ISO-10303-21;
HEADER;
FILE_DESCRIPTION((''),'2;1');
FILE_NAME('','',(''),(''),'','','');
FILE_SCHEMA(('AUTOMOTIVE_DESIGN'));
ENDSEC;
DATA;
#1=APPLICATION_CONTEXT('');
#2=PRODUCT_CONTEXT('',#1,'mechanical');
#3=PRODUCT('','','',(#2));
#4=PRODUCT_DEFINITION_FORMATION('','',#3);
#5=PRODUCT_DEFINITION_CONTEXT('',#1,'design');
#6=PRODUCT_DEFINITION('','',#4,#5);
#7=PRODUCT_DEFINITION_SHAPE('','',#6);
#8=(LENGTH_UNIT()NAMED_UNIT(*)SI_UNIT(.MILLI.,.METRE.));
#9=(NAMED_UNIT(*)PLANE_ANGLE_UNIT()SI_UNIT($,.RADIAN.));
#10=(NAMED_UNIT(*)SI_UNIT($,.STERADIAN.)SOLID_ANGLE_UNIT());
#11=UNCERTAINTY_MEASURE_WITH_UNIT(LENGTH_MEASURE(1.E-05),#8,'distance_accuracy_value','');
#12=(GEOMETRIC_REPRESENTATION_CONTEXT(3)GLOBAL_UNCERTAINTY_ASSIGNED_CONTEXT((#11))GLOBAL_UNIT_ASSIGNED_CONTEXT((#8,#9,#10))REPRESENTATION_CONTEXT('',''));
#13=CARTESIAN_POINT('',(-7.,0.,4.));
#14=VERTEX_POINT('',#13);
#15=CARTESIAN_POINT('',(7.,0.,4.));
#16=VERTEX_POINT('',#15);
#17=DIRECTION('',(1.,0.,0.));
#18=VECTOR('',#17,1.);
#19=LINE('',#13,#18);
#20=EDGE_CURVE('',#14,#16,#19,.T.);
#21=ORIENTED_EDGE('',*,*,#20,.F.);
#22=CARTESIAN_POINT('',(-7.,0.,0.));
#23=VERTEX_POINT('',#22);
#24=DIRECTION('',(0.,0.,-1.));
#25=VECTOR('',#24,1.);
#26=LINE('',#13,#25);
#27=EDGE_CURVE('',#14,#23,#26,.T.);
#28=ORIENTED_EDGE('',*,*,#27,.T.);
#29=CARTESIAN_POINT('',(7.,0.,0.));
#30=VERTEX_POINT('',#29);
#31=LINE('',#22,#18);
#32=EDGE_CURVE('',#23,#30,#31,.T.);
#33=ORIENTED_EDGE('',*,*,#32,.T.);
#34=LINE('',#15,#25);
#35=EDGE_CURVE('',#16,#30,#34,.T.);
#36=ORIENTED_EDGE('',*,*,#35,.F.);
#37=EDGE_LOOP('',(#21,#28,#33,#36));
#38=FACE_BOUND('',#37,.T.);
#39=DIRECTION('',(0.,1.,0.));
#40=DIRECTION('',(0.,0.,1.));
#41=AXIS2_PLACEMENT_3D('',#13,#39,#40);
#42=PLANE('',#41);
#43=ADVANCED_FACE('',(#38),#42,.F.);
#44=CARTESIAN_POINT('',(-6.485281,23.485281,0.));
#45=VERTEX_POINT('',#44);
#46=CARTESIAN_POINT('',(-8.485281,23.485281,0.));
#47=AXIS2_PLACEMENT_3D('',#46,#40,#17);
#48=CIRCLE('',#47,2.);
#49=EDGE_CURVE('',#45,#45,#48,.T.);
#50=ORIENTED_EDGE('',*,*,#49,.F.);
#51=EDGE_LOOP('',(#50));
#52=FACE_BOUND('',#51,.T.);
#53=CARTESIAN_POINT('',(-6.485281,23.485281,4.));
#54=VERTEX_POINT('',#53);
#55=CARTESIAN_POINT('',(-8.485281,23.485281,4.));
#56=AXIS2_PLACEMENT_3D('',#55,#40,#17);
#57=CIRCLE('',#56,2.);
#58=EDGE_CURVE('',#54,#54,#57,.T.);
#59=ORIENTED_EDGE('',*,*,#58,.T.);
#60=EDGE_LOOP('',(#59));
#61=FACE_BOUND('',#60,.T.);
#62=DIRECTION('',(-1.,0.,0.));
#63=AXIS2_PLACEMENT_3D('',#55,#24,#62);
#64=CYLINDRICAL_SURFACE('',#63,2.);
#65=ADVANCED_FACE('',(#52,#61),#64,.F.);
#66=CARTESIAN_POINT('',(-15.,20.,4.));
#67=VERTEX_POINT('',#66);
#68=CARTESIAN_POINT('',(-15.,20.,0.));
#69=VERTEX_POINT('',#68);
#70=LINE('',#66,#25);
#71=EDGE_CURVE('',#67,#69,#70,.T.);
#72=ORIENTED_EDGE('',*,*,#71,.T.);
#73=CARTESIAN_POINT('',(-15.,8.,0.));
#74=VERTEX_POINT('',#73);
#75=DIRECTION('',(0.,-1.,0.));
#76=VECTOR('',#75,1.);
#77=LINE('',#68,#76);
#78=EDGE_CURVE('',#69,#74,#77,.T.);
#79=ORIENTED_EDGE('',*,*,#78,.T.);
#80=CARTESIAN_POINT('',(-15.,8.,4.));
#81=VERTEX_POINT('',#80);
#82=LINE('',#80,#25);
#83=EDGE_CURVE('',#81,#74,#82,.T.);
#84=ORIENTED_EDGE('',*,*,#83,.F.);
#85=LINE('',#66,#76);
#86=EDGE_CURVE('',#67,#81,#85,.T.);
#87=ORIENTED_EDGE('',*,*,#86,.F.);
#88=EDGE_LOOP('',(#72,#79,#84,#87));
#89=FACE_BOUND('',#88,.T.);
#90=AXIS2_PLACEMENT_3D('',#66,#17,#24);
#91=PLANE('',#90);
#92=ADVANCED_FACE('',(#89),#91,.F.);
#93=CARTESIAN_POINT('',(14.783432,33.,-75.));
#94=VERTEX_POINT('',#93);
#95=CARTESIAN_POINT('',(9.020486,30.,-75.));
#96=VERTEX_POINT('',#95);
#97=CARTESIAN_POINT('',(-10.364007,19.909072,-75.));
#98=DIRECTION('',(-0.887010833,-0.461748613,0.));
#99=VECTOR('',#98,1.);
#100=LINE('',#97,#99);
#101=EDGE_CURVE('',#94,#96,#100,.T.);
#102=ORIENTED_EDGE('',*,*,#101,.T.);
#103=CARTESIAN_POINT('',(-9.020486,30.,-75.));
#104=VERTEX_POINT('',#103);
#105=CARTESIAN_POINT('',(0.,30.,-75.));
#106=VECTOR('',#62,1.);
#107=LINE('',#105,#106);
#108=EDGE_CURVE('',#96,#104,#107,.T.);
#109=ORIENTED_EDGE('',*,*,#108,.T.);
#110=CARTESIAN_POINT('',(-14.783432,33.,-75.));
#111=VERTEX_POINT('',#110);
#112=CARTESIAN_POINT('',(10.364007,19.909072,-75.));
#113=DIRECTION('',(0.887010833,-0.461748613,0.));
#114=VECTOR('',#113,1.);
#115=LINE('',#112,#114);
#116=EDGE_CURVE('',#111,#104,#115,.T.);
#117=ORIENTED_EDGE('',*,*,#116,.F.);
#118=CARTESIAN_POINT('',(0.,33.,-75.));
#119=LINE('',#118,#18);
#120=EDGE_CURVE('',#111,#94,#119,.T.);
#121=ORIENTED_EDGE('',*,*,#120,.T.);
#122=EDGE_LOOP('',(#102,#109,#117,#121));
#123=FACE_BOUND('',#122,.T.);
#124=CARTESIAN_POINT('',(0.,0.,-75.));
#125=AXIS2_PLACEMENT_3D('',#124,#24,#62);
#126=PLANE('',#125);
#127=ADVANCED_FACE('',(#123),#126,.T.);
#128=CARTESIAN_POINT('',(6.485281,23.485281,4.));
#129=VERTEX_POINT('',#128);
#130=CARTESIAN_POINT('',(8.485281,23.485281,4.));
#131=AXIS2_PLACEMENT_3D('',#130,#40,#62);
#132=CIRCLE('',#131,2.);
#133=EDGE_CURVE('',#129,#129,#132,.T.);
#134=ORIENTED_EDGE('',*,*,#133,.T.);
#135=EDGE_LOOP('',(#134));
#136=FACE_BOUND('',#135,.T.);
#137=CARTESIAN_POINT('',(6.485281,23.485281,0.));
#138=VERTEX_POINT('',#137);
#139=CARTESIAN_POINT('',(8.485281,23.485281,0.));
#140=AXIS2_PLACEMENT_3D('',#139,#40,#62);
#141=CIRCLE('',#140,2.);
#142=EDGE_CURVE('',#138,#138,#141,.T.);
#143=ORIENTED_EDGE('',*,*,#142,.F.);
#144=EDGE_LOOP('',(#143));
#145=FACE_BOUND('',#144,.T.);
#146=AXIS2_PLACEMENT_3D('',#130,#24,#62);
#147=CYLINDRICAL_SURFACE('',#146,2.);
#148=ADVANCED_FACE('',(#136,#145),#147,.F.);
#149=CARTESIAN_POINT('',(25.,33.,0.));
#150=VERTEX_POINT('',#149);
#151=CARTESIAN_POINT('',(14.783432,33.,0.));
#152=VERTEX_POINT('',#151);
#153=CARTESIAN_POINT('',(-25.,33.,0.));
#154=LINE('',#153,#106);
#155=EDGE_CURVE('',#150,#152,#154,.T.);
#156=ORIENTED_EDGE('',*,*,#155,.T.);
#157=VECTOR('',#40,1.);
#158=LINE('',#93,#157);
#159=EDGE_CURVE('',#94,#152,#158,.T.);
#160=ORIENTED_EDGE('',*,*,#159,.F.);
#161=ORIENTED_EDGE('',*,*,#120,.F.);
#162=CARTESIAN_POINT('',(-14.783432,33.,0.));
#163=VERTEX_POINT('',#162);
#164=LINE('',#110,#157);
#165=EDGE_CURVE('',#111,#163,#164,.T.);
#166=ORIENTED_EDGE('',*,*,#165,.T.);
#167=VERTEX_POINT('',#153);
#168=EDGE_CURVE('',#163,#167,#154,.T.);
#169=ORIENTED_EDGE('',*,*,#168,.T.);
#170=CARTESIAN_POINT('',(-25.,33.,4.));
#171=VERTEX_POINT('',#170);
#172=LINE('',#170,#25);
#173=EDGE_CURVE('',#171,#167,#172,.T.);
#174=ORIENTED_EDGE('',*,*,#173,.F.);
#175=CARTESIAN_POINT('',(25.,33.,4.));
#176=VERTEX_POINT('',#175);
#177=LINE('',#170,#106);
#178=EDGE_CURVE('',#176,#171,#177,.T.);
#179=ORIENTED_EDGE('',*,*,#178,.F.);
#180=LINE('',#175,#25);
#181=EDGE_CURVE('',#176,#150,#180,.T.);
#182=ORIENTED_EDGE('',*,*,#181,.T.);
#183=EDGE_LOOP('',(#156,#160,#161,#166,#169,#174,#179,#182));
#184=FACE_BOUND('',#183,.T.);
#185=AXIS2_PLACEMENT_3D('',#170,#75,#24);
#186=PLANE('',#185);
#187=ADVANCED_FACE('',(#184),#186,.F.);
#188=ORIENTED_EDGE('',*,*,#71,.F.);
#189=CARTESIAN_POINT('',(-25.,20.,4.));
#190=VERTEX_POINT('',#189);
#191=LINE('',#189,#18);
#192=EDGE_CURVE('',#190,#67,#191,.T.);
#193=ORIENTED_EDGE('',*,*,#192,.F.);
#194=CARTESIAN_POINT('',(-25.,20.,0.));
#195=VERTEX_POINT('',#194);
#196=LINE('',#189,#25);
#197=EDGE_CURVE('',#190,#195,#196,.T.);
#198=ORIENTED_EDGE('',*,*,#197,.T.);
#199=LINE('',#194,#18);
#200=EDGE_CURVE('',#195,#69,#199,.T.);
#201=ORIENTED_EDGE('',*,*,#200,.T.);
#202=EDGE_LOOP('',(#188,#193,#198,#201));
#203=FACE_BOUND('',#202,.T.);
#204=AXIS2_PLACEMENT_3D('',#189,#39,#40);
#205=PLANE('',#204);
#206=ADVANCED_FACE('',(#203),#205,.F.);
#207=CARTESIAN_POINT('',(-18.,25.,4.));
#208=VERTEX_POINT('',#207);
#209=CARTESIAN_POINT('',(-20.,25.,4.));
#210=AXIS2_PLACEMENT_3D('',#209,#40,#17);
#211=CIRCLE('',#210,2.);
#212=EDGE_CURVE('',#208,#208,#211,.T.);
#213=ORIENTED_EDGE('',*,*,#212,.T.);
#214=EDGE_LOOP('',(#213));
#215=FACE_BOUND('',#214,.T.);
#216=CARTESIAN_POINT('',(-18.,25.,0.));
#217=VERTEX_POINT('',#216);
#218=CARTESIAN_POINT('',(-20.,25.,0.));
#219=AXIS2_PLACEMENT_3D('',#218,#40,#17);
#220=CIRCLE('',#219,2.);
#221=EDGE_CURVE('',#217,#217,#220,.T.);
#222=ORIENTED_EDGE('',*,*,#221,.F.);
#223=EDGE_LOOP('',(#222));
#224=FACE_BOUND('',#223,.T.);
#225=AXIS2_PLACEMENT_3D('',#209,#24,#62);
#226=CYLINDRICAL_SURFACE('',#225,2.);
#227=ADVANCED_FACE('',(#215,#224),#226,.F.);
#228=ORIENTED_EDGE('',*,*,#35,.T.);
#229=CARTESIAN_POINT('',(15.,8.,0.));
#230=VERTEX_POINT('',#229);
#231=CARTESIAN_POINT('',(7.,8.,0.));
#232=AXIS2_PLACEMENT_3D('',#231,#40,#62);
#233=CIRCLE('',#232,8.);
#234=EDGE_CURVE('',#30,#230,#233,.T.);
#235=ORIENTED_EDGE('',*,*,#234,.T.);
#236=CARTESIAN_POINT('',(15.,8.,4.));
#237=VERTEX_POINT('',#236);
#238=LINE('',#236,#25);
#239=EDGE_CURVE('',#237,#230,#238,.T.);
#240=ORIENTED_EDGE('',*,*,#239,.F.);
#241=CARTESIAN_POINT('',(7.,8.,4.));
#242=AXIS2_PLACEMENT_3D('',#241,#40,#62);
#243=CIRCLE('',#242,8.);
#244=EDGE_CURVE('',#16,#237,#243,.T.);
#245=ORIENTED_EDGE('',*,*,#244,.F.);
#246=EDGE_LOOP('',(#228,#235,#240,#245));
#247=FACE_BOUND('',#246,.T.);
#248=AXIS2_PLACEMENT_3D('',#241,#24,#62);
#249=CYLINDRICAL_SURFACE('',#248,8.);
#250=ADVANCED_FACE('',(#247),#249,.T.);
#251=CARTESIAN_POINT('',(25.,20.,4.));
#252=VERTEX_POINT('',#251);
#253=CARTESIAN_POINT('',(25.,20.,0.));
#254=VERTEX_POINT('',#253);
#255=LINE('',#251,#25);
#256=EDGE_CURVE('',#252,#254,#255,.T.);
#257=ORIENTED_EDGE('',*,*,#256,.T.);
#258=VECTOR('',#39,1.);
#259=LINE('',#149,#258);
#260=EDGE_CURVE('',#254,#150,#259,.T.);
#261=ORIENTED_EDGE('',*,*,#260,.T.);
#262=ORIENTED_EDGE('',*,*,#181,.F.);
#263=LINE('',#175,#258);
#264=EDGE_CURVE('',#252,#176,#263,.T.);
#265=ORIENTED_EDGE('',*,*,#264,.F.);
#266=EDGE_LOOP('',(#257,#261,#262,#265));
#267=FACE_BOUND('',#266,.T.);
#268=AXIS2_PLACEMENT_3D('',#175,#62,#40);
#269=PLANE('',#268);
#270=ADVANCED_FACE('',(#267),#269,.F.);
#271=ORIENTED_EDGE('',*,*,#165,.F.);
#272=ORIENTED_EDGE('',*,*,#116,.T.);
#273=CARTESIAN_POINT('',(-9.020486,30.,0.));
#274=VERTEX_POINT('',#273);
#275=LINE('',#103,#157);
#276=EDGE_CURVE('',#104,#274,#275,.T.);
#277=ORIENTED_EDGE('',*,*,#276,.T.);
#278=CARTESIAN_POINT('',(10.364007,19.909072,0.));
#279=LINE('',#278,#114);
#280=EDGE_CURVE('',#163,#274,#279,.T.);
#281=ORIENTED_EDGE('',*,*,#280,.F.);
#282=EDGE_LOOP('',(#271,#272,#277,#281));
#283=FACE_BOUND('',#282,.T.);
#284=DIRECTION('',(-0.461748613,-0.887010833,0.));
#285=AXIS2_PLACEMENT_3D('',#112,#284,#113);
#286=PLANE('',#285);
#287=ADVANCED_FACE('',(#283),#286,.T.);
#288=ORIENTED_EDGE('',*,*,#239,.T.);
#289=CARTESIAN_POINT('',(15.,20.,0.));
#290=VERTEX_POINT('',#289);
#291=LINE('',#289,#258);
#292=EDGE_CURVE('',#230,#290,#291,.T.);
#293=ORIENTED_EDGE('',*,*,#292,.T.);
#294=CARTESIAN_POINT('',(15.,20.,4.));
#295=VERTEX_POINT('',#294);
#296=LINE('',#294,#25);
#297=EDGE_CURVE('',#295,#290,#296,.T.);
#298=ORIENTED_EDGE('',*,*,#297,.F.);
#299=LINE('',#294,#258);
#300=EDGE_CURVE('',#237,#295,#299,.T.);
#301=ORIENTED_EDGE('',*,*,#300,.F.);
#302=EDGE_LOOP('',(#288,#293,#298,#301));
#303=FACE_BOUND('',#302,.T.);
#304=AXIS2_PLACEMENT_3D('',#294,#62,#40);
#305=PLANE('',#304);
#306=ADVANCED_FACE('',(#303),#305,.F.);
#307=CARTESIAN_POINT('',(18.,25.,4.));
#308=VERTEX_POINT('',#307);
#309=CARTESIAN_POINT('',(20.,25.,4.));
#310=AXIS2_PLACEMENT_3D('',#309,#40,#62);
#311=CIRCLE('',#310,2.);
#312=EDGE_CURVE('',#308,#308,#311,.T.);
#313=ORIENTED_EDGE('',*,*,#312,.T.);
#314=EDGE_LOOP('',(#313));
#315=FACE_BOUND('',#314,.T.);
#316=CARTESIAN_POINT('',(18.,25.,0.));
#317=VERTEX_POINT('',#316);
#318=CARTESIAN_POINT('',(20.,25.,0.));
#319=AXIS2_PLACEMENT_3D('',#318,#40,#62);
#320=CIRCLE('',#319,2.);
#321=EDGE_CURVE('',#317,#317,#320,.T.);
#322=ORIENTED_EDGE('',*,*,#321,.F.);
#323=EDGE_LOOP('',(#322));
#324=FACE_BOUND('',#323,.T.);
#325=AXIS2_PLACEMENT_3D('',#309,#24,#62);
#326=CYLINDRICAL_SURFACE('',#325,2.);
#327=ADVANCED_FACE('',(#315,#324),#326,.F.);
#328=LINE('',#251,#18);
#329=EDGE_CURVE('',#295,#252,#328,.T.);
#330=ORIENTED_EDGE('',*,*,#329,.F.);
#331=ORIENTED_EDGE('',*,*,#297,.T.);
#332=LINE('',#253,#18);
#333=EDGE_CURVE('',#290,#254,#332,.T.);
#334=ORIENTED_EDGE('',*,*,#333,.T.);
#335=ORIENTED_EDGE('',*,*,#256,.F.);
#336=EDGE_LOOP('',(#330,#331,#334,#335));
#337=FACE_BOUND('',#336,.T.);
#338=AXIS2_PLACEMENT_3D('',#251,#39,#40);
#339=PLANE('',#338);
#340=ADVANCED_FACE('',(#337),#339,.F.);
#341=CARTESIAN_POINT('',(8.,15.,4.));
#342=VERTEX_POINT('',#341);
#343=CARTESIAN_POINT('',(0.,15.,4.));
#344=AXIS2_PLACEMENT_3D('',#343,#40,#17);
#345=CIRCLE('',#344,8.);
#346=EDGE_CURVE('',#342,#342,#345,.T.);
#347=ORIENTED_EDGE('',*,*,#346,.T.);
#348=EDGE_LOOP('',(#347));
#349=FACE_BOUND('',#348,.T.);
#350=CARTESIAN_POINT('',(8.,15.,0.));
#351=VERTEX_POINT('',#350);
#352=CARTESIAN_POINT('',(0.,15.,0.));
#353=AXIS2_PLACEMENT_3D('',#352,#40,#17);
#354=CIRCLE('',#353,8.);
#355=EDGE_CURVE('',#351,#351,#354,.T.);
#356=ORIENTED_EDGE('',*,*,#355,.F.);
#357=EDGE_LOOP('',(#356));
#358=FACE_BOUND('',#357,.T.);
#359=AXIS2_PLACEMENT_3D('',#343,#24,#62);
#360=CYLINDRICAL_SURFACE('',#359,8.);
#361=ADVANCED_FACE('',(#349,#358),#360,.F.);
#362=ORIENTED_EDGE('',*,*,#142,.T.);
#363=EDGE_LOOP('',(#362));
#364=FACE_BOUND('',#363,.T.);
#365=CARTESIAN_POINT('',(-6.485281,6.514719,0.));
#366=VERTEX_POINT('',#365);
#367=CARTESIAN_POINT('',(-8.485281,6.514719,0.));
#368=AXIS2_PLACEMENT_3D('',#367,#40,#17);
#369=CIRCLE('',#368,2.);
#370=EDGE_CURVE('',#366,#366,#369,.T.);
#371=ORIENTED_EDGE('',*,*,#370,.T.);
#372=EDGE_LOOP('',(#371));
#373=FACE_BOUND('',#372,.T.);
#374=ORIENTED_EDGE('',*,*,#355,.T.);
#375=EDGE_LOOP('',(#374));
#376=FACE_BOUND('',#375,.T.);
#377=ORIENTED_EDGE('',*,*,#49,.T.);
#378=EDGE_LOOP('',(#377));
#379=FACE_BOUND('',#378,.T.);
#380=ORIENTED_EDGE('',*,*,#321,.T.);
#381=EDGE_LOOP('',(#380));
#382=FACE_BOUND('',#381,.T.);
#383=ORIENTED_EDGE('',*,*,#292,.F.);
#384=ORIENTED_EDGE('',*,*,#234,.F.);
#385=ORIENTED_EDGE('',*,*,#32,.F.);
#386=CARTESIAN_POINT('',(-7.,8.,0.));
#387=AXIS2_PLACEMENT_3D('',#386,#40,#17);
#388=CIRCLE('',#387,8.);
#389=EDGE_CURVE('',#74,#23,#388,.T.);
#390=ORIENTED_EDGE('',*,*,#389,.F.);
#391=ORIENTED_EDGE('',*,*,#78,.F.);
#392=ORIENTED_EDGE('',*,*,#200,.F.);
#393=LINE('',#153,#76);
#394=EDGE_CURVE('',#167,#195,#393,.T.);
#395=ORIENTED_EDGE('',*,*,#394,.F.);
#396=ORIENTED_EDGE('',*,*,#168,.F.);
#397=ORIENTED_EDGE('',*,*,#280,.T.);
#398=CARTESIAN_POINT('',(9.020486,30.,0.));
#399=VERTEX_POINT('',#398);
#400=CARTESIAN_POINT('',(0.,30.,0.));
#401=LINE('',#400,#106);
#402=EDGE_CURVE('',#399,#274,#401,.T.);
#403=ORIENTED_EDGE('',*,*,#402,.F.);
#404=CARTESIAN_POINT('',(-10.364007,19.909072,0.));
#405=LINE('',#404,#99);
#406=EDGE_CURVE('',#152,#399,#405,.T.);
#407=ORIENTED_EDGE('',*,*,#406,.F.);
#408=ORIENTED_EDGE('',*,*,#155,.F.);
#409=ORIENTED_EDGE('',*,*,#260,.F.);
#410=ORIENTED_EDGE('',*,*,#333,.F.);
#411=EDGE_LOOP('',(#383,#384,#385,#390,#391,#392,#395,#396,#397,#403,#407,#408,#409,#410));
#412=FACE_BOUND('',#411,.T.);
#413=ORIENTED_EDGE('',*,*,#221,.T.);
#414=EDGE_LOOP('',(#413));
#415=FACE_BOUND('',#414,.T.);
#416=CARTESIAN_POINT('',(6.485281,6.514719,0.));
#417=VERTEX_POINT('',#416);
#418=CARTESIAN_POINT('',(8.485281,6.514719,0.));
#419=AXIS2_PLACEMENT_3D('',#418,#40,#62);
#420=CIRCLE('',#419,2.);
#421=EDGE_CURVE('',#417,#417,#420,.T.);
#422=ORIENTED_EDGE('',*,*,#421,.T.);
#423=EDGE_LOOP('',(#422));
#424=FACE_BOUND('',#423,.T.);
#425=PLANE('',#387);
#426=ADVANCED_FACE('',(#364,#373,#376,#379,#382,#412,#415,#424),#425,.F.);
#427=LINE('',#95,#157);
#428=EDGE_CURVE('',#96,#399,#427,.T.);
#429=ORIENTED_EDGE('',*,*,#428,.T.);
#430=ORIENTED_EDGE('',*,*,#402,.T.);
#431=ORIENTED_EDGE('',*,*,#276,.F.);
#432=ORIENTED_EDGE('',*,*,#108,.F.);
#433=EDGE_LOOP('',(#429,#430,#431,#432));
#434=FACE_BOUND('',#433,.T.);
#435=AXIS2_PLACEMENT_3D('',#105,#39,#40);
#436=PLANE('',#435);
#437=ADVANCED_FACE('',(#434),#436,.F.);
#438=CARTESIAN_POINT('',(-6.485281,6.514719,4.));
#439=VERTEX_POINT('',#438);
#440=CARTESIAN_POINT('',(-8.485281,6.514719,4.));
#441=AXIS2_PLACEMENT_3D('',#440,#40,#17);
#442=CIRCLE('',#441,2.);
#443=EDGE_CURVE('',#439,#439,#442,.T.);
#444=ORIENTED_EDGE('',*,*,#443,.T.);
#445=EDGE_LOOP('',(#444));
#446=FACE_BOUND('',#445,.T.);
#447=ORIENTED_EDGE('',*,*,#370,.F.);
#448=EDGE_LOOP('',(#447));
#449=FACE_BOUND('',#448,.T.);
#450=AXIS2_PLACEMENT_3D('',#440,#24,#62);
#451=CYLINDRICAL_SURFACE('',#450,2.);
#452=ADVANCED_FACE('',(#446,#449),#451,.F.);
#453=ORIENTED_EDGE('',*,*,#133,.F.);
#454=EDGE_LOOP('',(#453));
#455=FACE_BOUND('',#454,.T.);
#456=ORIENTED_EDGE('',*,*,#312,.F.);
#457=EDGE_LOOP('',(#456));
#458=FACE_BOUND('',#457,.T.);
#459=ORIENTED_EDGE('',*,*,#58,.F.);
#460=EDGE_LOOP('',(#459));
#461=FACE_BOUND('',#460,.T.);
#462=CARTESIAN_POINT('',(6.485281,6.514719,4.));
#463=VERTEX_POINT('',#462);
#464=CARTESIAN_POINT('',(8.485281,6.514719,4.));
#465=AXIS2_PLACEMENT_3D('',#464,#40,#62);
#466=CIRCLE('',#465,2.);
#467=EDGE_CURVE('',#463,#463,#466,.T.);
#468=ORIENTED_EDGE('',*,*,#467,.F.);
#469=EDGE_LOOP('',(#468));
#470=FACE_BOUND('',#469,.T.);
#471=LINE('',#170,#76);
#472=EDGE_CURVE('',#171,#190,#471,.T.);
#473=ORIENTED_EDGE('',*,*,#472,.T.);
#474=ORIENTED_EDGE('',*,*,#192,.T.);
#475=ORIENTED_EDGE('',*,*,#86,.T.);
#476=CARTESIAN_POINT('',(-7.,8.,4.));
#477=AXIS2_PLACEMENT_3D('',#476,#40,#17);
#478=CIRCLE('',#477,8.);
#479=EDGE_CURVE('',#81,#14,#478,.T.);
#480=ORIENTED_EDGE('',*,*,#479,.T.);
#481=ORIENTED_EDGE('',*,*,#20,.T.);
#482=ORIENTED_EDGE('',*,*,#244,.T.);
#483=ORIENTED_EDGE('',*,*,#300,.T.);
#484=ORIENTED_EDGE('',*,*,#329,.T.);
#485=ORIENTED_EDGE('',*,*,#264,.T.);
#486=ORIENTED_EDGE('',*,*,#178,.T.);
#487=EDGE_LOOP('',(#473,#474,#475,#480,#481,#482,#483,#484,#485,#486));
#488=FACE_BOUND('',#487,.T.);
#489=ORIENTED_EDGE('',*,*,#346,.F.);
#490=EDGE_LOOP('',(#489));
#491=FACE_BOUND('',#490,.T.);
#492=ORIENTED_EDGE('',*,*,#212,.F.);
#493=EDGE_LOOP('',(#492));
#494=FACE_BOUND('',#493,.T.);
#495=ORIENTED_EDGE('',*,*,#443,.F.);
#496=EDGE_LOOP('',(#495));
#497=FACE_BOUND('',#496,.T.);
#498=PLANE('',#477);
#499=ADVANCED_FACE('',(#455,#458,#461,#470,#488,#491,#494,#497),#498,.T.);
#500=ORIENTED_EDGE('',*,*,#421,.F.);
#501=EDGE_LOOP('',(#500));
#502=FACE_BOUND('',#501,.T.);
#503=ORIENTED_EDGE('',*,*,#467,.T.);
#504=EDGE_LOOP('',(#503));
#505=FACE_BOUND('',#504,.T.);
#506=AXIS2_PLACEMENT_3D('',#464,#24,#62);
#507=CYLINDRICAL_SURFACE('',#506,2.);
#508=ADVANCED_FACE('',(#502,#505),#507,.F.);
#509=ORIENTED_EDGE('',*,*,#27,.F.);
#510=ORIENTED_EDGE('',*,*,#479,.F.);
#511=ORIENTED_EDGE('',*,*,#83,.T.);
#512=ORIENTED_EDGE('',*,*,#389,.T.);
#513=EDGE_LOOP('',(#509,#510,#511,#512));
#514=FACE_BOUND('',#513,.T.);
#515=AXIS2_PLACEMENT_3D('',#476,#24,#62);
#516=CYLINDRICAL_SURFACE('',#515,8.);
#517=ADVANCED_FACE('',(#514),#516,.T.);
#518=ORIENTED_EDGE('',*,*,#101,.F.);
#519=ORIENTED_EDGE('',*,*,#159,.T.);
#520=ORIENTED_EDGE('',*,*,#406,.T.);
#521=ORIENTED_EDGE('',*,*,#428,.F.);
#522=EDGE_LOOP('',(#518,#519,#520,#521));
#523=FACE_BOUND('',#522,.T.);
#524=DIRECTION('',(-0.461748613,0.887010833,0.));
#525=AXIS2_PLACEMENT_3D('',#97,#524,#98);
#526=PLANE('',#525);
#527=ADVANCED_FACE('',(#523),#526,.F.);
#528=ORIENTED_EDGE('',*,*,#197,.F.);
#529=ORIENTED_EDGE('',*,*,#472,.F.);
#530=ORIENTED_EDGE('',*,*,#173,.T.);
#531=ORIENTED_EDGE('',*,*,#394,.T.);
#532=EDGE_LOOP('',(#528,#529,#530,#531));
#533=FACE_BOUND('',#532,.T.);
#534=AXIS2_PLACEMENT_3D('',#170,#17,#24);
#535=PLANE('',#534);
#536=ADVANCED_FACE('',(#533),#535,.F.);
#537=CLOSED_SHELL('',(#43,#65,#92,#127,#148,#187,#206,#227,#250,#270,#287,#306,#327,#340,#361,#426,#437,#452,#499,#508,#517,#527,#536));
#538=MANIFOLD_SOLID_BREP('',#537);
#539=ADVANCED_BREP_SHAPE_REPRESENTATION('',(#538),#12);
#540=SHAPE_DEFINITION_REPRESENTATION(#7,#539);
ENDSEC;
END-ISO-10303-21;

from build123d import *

# Parameters (mm, degrees)
CROQUIS1_R              = 8
CROQUIS1_R_2            = 2
SALIENTE_EXTRUIR1_DEPTH = 4
SALIENTE_EXTRUIR2_DEPTH = 75


with BuildPart() as part:
    # Croquis1 → Saliente-Extruir1 (new body)
    with BuildSketch(Plane.XY):
        with BuildLine():
            Line((-25, 33), (25, 33))
            Line((25, 33), (25, 20))
            Line((25, 20), (15, 20))
            Line((15, 20), (15, 8))
            ThreePointArc((15, 8), (12.656854249, 2.343145751), (7, 0))
            Line((7, 0), (-7, 0))
            ThreePointArc((-7, 0), (-12.656854249, 2.343145751), (-15, 8))
            Line((-15, 8), (-15, 20))
            Line((-15, 20), (-25, 20))
            Line((-25, 20), (-25, 33))
        make_face()
        with Locations((0, 15)):
            Circle(CROQUIS1_R, mode=Mode.SUBTRACT)
        with Locations((-8.485281374, 6.514718626)):
            Circle(CROQUIS1_R_2, mode=Mode.SUBTRACT)
        with Locations((-8.485281374, 23.485281374)):
            Circle(CROQUIS1_R_2, mode=Mode.SUBTRACT)
        with Locations((-20, 25)):
            Circle(CROQUIS1_R_2, mode=Mode.SUBTRACT)
        with Locations(Location((8.485281374, 6.514718626, 0), (0, 0, 180))):
            Circle(CROQUIS1_R_2, mode=Mode.SUBTRACT)
        with Locations(Location((8.485281374, 23.485281374, 0), (0, 0, 180))):
            Circle(CROQUIS1_R_2, mode=Mode.SUBTRACT)
        with Locations(Location((20, 25, 0), (0, 0, 180))):
            Circle(CROQUIS1_R_2, mode=Mode.SUBTRACT)
    extrude(amount=SALIENTE_EXTRUIR1_DEPTH)

    # Croquis2 → Saliente-Extruir2 (add)
    with BuildSketch(Plane(origin=(0, 0, 0), x_dir=(-1, 0, 0), z_dir=(0, 0, -1))):
        Polygon((14.783431943, 33), (-14.783431943, 33), (-9.020485562, 30), (9.020485562, 30), align=None)
    extrude(amount=SALIENTE_EXTRUIR2_DEPTH)


solid = part.part
